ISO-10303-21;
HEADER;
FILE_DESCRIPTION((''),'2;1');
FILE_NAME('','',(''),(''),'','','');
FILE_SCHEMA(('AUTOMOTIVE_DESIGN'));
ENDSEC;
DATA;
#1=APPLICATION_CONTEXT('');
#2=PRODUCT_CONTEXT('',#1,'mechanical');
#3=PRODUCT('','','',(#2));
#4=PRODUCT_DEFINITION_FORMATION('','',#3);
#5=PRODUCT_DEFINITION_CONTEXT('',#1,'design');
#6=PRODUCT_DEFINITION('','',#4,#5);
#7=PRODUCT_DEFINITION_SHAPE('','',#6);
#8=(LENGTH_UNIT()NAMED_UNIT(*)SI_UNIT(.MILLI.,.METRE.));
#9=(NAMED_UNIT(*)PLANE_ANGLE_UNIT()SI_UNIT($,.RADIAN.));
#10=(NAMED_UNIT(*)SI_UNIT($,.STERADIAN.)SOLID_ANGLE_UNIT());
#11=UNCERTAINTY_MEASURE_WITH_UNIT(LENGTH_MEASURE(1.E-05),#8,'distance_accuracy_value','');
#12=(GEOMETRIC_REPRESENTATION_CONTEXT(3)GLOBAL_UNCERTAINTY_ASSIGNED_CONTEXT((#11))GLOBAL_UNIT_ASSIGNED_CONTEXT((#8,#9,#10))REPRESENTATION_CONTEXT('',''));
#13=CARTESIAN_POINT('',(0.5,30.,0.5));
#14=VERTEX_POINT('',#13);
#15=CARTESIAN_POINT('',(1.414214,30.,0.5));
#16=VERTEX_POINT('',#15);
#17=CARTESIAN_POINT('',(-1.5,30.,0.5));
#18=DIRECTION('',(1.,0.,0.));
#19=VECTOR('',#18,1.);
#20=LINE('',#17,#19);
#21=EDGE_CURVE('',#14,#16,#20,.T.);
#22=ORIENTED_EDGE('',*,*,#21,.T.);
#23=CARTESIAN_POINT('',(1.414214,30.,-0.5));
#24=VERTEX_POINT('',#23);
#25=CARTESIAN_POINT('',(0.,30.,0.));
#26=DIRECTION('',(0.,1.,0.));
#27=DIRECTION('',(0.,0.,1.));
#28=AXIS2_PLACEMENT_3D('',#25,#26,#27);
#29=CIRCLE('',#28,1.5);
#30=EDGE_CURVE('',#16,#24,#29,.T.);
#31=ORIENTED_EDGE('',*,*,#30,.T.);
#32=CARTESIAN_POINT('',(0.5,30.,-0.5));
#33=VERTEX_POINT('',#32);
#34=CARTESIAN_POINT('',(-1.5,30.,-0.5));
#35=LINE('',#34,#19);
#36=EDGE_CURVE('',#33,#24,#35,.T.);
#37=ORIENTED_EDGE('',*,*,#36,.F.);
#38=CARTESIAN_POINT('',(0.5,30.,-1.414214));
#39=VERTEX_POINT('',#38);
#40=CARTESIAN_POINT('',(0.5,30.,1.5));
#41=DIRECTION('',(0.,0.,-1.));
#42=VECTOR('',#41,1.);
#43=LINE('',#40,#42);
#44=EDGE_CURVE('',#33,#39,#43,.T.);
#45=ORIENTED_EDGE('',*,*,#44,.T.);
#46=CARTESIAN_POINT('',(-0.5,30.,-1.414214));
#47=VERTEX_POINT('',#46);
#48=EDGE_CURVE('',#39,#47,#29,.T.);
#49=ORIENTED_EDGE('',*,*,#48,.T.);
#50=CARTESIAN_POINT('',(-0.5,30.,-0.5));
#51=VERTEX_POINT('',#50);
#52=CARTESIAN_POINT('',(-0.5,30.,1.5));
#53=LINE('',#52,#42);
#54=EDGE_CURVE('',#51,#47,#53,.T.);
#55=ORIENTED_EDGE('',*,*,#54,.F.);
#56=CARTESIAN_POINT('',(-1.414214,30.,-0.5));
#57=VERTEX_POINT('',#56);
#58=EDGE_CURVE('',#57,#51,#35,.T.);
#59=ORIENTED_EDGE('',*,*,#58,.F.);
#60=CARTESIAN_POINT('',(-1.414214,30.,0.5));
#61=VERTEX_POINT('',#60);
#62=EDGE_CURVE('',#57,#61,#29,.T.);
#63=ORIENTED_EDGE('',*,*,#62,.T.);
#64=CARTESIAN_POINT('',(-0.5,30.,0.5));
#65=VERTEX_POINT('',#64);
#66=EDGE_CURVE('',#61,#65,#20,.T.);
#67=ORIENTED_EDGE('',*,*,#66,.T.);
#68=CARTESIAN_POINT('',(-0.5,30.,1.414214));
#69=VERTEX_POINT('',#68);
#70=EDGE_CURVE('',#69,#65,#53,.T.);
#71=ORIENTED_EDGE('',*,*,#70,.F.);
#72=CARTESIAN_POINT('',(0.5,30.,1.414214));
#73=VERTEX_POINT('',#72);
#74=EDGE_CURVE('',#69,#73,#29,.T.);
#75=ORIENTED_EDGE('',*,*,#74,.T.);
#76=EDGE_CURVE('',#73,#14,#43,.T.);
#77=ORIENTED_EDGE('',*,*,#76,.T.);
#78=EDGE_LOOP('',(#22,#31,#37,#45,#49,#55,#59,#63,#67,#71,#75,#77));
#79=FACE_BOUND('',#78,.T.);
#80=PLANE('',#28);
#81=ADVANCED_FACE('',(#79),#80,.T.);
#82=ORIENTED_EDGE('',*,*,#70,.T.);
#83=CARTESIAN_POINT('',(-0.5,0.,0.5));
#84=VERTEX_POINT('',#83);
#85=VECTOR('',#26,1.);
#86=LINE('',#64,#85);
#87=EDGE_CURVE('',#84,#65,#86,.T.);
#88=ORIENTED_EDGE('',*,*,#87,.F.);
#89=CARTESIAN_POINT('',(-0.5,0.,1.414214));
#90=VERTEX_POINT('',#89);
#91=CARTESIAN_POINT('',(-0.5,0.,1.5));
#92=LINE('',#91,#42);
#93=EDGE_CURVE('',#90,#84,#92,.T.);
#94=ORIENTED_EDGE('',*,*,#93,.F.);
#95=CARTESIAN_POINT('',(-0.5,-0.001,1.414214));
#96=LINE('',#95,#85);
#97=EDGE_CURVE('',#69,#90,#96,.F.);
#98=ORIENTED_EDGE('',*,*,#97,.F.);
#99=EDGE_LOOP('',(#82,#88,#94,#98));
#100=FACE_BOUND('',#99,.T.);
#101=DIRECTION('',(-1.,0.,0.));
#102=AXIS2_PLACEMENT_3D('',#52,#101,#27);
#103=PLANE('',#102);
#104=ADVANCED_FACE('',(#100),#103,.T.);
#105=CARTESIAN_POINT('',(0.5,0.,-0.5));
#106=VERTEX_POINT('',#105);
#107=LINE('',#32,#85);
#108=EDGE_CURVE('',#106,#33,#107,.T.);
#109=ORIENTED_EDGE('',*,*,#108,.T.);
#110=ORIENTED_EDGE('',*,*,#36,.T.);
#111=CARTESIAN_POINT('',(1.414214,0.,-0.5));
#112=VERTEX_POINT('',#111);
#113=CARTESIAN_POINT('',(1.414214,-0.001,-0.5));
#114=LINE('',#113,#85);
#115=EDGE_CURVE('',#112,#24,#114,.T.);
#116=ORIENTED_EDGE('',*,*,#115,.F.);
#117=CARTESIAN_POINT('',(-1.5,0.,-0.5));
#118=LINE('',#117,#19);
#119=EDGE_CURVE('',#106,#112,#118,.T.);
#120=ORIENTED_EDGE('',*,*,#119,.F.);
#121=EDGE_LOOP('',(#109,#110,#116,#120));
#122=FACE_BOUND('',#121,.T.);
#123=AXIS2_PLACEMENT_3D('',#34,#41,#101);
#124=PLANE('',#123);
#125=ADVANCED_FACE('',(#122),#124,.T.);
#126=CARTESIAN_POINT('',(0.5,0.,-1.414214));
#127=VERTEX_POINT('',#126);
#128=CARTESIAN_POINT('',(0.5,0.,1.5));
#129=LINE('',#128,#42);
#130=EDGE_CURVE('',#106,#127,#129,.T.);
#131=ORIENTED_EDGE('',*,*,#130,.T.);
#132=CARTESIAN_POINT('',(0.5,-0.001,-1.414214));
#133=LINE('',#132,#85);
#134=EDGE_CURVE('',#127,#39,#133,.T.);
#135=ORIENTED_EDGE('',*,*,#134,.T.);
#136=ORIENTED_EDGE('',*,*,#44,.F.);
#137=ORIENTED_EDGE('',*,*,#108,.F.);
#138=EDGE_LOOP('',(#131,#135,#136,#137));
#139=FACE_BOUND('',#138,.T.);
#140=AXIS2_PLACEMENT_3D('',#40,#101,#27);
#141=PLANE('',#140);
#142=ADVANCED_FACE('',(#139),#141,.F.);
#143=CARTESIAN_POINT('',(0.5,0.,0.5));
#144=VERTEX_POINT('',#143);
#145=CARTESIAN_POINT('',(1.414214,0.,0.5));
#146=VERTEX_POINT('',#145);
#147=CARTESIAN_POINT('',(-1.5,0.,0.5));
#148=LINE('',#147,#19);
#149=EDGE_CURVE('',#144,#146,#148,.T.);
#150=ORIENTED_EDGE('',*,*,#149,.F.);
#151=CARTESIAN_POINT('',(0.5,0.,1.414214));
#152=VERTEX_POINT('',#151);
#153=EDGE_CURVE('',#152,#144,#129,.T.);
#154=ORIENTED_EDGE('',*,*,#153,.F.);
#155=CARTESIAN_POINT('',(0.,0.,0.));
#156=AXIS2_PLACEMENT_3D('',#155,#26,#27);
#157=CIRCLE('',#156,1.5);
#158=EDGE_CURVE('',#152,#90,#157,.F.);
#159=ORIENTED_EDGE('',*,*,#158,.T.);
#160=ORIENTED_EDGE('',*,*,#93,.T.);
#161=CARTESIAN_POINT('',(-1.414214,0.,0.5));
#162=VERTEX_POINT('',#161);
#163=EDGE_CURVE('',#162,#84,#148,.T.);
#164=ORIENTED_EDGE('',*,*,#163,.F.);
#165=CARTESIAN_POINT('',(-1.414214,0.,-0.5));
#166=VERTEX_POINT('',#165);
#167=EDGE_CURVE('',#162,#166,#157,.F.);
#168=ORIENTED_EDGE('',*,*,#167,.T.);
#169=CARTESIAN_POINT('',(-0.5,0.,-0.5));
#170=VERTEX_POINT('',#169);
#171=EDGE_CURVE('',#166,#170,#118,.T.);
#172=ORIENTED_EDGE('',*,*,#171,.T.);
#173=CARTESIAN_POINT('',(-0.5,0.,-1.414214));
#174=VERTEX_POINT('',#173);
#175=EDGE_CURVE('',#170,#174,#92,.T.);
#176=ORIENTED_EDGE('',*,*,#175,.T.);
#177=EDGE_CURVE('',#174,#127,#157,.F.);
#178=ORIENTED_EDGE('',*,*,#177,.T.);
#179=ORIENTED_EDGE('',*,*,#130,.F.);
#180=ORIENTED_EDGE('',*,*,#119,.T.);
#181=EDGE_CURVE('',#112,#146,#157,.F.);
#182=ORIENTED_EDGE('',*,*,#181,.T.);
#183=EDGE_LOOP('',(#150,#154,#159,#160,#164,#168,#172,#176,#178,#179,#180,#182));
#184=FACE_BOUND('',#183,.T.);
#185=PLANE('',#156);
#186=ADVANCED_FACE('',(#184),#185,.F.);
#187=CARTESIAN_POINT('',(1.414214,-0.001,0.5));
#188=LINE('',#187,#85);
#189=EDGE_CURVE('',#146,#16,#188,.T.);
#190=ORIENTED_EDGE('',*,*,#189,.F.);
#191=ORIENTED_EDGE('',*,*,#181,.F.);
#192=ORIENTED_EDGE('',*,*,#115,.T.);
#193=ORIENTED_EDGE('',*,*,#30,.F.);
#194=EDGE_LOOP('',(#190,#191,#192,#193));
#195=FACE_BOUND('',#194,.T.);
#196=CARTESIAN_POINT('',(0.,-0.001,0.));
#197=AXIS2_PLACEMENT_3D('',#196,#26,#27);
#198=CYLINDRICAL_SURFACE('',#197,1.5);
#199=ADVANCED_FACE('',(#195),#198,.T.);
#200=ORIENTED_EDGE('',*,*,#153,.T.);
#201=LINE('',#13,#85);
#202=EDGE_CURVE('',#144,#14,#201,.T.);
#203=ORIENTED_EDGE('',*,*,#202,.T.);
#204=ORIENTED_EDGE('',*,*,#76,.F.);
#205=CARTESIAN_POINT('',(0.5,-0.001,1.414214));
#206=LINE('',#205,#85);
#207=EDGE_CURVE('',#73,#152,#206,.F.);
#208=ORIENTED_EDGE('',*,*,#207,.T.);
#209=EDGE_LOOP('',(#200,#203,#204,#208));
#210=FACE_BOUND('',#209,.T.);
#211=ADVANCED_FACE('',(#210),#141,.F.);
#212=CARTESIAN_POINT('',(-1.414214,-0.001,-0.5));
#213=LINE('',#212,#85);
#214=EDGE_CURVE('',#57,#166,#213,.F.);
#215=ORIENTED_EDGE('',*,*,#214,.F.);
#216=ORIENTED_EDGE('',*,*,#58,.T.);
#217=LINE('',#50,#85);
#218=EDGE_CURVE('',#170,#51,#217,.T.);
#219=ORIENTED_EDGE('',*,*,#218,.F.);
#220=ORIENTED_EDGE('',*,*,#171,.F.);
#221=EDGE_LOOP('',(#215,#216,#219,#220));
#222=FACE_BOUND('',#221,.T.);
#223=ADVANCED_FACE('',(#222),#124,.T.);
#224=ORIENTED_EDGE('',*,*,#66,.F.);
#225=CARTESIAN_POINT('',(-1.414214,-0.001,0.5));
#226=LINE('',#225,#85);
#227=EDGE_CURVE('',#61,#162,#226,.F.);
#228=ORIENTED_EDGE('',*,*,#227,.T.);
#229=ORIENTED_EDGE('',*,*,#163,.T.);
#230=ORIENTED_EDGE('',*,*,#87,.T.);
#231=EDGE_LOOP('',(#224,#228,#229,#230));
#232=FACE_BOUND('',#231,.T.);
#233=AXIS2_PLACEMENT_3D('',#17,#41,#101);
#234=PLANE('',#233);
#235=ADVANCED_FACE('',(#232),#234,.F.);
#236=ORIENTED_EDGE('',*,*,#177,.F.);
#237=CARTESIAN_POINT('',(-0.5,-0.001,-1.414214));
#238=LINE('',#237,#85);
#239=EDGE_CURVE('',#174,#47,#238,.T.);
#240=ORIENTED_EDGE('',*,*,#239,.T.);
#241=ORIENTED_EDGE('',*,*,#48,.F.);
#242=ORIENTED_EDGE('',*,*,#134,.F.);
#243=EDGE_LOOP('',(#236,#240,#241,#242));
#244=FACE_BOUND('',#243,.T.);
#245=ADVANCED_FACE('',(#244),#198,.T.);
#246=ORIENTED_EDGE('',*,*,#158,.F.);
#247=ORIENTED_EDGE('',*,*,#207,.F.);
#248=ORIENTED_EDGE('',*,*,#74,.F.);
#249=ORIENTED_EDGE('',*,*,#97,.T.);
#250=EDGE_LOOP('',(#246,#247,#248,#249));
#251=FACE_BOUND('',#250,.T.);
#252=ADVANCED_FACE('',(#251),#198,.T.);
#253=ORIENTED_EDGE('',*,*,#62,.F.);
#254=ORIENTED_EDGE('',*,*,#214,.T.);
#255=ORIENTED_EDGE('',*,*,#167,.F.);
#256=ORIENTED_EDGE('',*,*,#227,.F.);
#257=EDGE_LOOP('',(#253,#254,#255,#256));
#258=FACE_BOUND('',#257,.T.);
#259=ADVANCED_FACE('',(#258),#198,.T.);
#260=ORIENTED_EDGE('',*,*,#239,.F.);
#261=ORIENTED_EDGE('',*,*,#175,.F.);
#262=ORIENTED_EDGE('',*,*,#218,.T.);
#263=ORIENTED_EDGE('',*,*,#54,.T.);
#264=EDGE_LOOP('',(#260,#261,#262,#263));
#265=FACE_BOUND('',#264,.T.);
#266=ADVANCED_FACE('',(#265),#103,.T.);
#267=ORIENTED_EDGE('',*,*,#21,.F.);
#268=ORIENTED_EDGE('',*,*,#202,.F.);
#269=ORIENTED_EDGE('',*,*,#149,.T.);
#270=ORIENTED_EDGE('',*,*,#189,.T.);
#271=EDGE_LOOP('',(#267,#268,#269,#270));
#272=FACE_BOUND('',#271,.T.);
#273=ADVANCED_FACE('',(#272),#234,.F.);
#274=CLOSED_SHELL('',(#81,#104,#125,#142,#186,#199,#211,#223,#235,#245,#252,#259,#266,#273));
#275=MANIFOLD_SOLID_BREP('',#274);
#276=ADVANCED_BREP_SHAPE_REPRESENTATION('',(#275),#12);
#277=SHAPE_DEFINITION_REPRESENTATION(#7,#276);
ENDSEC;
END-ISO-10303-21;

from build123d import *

# Parameters (mm, degrees)
SKETCH1_W           = 3
SKETCH1_H           = 1
SKETCH1_W_2         = 1
SKETCH1_H_2         = 3
BOSS_EXTRUDE1_DEPTH = 30
SKETCH2_OUTSIDE_W   = 11.06
SKETCH2_OUTSIDE_H   = 11.06
SKETCH2_OUTSIDE_R   = 1.5
CUT_EXTRUDE1_DEPTH  = 30


with BuildPart() as part:
    # Sketch1 → Boss-Extrude1 (new body)
    with BuildSketch(Plane(origin=(0, 0, 0), x_dir=(1, 0, 0), z_dir=(0, 1, 0))):
        Rectangle(SKETCH1_W, SKETCH1_H)
        Rectangle(SKETCH1_W_2, SKETCH1_H_2)
    extrude(amount=BOSS_EXTRUDE1_DEPTH)

    # Sketch2 outside → Cut-Extrude1 (cut)
    with BuildSketch(Plane(origin=(0, 30, 0), x_dir=(1, 0, 0), z_dir=(0, 1, 0))):
        Rectangle(SKETCH2_OUTSIDE_W, SKETCH2_OUTSIDE_H)
        Circle(SKETCH2_OUTSIDE_R, mode=Mode.SUBTRACT)
    extrude(amount=-CUT_EXTRUDE1_DEPTH, mode=Mode.SUBTRACT)


solid = part.part
